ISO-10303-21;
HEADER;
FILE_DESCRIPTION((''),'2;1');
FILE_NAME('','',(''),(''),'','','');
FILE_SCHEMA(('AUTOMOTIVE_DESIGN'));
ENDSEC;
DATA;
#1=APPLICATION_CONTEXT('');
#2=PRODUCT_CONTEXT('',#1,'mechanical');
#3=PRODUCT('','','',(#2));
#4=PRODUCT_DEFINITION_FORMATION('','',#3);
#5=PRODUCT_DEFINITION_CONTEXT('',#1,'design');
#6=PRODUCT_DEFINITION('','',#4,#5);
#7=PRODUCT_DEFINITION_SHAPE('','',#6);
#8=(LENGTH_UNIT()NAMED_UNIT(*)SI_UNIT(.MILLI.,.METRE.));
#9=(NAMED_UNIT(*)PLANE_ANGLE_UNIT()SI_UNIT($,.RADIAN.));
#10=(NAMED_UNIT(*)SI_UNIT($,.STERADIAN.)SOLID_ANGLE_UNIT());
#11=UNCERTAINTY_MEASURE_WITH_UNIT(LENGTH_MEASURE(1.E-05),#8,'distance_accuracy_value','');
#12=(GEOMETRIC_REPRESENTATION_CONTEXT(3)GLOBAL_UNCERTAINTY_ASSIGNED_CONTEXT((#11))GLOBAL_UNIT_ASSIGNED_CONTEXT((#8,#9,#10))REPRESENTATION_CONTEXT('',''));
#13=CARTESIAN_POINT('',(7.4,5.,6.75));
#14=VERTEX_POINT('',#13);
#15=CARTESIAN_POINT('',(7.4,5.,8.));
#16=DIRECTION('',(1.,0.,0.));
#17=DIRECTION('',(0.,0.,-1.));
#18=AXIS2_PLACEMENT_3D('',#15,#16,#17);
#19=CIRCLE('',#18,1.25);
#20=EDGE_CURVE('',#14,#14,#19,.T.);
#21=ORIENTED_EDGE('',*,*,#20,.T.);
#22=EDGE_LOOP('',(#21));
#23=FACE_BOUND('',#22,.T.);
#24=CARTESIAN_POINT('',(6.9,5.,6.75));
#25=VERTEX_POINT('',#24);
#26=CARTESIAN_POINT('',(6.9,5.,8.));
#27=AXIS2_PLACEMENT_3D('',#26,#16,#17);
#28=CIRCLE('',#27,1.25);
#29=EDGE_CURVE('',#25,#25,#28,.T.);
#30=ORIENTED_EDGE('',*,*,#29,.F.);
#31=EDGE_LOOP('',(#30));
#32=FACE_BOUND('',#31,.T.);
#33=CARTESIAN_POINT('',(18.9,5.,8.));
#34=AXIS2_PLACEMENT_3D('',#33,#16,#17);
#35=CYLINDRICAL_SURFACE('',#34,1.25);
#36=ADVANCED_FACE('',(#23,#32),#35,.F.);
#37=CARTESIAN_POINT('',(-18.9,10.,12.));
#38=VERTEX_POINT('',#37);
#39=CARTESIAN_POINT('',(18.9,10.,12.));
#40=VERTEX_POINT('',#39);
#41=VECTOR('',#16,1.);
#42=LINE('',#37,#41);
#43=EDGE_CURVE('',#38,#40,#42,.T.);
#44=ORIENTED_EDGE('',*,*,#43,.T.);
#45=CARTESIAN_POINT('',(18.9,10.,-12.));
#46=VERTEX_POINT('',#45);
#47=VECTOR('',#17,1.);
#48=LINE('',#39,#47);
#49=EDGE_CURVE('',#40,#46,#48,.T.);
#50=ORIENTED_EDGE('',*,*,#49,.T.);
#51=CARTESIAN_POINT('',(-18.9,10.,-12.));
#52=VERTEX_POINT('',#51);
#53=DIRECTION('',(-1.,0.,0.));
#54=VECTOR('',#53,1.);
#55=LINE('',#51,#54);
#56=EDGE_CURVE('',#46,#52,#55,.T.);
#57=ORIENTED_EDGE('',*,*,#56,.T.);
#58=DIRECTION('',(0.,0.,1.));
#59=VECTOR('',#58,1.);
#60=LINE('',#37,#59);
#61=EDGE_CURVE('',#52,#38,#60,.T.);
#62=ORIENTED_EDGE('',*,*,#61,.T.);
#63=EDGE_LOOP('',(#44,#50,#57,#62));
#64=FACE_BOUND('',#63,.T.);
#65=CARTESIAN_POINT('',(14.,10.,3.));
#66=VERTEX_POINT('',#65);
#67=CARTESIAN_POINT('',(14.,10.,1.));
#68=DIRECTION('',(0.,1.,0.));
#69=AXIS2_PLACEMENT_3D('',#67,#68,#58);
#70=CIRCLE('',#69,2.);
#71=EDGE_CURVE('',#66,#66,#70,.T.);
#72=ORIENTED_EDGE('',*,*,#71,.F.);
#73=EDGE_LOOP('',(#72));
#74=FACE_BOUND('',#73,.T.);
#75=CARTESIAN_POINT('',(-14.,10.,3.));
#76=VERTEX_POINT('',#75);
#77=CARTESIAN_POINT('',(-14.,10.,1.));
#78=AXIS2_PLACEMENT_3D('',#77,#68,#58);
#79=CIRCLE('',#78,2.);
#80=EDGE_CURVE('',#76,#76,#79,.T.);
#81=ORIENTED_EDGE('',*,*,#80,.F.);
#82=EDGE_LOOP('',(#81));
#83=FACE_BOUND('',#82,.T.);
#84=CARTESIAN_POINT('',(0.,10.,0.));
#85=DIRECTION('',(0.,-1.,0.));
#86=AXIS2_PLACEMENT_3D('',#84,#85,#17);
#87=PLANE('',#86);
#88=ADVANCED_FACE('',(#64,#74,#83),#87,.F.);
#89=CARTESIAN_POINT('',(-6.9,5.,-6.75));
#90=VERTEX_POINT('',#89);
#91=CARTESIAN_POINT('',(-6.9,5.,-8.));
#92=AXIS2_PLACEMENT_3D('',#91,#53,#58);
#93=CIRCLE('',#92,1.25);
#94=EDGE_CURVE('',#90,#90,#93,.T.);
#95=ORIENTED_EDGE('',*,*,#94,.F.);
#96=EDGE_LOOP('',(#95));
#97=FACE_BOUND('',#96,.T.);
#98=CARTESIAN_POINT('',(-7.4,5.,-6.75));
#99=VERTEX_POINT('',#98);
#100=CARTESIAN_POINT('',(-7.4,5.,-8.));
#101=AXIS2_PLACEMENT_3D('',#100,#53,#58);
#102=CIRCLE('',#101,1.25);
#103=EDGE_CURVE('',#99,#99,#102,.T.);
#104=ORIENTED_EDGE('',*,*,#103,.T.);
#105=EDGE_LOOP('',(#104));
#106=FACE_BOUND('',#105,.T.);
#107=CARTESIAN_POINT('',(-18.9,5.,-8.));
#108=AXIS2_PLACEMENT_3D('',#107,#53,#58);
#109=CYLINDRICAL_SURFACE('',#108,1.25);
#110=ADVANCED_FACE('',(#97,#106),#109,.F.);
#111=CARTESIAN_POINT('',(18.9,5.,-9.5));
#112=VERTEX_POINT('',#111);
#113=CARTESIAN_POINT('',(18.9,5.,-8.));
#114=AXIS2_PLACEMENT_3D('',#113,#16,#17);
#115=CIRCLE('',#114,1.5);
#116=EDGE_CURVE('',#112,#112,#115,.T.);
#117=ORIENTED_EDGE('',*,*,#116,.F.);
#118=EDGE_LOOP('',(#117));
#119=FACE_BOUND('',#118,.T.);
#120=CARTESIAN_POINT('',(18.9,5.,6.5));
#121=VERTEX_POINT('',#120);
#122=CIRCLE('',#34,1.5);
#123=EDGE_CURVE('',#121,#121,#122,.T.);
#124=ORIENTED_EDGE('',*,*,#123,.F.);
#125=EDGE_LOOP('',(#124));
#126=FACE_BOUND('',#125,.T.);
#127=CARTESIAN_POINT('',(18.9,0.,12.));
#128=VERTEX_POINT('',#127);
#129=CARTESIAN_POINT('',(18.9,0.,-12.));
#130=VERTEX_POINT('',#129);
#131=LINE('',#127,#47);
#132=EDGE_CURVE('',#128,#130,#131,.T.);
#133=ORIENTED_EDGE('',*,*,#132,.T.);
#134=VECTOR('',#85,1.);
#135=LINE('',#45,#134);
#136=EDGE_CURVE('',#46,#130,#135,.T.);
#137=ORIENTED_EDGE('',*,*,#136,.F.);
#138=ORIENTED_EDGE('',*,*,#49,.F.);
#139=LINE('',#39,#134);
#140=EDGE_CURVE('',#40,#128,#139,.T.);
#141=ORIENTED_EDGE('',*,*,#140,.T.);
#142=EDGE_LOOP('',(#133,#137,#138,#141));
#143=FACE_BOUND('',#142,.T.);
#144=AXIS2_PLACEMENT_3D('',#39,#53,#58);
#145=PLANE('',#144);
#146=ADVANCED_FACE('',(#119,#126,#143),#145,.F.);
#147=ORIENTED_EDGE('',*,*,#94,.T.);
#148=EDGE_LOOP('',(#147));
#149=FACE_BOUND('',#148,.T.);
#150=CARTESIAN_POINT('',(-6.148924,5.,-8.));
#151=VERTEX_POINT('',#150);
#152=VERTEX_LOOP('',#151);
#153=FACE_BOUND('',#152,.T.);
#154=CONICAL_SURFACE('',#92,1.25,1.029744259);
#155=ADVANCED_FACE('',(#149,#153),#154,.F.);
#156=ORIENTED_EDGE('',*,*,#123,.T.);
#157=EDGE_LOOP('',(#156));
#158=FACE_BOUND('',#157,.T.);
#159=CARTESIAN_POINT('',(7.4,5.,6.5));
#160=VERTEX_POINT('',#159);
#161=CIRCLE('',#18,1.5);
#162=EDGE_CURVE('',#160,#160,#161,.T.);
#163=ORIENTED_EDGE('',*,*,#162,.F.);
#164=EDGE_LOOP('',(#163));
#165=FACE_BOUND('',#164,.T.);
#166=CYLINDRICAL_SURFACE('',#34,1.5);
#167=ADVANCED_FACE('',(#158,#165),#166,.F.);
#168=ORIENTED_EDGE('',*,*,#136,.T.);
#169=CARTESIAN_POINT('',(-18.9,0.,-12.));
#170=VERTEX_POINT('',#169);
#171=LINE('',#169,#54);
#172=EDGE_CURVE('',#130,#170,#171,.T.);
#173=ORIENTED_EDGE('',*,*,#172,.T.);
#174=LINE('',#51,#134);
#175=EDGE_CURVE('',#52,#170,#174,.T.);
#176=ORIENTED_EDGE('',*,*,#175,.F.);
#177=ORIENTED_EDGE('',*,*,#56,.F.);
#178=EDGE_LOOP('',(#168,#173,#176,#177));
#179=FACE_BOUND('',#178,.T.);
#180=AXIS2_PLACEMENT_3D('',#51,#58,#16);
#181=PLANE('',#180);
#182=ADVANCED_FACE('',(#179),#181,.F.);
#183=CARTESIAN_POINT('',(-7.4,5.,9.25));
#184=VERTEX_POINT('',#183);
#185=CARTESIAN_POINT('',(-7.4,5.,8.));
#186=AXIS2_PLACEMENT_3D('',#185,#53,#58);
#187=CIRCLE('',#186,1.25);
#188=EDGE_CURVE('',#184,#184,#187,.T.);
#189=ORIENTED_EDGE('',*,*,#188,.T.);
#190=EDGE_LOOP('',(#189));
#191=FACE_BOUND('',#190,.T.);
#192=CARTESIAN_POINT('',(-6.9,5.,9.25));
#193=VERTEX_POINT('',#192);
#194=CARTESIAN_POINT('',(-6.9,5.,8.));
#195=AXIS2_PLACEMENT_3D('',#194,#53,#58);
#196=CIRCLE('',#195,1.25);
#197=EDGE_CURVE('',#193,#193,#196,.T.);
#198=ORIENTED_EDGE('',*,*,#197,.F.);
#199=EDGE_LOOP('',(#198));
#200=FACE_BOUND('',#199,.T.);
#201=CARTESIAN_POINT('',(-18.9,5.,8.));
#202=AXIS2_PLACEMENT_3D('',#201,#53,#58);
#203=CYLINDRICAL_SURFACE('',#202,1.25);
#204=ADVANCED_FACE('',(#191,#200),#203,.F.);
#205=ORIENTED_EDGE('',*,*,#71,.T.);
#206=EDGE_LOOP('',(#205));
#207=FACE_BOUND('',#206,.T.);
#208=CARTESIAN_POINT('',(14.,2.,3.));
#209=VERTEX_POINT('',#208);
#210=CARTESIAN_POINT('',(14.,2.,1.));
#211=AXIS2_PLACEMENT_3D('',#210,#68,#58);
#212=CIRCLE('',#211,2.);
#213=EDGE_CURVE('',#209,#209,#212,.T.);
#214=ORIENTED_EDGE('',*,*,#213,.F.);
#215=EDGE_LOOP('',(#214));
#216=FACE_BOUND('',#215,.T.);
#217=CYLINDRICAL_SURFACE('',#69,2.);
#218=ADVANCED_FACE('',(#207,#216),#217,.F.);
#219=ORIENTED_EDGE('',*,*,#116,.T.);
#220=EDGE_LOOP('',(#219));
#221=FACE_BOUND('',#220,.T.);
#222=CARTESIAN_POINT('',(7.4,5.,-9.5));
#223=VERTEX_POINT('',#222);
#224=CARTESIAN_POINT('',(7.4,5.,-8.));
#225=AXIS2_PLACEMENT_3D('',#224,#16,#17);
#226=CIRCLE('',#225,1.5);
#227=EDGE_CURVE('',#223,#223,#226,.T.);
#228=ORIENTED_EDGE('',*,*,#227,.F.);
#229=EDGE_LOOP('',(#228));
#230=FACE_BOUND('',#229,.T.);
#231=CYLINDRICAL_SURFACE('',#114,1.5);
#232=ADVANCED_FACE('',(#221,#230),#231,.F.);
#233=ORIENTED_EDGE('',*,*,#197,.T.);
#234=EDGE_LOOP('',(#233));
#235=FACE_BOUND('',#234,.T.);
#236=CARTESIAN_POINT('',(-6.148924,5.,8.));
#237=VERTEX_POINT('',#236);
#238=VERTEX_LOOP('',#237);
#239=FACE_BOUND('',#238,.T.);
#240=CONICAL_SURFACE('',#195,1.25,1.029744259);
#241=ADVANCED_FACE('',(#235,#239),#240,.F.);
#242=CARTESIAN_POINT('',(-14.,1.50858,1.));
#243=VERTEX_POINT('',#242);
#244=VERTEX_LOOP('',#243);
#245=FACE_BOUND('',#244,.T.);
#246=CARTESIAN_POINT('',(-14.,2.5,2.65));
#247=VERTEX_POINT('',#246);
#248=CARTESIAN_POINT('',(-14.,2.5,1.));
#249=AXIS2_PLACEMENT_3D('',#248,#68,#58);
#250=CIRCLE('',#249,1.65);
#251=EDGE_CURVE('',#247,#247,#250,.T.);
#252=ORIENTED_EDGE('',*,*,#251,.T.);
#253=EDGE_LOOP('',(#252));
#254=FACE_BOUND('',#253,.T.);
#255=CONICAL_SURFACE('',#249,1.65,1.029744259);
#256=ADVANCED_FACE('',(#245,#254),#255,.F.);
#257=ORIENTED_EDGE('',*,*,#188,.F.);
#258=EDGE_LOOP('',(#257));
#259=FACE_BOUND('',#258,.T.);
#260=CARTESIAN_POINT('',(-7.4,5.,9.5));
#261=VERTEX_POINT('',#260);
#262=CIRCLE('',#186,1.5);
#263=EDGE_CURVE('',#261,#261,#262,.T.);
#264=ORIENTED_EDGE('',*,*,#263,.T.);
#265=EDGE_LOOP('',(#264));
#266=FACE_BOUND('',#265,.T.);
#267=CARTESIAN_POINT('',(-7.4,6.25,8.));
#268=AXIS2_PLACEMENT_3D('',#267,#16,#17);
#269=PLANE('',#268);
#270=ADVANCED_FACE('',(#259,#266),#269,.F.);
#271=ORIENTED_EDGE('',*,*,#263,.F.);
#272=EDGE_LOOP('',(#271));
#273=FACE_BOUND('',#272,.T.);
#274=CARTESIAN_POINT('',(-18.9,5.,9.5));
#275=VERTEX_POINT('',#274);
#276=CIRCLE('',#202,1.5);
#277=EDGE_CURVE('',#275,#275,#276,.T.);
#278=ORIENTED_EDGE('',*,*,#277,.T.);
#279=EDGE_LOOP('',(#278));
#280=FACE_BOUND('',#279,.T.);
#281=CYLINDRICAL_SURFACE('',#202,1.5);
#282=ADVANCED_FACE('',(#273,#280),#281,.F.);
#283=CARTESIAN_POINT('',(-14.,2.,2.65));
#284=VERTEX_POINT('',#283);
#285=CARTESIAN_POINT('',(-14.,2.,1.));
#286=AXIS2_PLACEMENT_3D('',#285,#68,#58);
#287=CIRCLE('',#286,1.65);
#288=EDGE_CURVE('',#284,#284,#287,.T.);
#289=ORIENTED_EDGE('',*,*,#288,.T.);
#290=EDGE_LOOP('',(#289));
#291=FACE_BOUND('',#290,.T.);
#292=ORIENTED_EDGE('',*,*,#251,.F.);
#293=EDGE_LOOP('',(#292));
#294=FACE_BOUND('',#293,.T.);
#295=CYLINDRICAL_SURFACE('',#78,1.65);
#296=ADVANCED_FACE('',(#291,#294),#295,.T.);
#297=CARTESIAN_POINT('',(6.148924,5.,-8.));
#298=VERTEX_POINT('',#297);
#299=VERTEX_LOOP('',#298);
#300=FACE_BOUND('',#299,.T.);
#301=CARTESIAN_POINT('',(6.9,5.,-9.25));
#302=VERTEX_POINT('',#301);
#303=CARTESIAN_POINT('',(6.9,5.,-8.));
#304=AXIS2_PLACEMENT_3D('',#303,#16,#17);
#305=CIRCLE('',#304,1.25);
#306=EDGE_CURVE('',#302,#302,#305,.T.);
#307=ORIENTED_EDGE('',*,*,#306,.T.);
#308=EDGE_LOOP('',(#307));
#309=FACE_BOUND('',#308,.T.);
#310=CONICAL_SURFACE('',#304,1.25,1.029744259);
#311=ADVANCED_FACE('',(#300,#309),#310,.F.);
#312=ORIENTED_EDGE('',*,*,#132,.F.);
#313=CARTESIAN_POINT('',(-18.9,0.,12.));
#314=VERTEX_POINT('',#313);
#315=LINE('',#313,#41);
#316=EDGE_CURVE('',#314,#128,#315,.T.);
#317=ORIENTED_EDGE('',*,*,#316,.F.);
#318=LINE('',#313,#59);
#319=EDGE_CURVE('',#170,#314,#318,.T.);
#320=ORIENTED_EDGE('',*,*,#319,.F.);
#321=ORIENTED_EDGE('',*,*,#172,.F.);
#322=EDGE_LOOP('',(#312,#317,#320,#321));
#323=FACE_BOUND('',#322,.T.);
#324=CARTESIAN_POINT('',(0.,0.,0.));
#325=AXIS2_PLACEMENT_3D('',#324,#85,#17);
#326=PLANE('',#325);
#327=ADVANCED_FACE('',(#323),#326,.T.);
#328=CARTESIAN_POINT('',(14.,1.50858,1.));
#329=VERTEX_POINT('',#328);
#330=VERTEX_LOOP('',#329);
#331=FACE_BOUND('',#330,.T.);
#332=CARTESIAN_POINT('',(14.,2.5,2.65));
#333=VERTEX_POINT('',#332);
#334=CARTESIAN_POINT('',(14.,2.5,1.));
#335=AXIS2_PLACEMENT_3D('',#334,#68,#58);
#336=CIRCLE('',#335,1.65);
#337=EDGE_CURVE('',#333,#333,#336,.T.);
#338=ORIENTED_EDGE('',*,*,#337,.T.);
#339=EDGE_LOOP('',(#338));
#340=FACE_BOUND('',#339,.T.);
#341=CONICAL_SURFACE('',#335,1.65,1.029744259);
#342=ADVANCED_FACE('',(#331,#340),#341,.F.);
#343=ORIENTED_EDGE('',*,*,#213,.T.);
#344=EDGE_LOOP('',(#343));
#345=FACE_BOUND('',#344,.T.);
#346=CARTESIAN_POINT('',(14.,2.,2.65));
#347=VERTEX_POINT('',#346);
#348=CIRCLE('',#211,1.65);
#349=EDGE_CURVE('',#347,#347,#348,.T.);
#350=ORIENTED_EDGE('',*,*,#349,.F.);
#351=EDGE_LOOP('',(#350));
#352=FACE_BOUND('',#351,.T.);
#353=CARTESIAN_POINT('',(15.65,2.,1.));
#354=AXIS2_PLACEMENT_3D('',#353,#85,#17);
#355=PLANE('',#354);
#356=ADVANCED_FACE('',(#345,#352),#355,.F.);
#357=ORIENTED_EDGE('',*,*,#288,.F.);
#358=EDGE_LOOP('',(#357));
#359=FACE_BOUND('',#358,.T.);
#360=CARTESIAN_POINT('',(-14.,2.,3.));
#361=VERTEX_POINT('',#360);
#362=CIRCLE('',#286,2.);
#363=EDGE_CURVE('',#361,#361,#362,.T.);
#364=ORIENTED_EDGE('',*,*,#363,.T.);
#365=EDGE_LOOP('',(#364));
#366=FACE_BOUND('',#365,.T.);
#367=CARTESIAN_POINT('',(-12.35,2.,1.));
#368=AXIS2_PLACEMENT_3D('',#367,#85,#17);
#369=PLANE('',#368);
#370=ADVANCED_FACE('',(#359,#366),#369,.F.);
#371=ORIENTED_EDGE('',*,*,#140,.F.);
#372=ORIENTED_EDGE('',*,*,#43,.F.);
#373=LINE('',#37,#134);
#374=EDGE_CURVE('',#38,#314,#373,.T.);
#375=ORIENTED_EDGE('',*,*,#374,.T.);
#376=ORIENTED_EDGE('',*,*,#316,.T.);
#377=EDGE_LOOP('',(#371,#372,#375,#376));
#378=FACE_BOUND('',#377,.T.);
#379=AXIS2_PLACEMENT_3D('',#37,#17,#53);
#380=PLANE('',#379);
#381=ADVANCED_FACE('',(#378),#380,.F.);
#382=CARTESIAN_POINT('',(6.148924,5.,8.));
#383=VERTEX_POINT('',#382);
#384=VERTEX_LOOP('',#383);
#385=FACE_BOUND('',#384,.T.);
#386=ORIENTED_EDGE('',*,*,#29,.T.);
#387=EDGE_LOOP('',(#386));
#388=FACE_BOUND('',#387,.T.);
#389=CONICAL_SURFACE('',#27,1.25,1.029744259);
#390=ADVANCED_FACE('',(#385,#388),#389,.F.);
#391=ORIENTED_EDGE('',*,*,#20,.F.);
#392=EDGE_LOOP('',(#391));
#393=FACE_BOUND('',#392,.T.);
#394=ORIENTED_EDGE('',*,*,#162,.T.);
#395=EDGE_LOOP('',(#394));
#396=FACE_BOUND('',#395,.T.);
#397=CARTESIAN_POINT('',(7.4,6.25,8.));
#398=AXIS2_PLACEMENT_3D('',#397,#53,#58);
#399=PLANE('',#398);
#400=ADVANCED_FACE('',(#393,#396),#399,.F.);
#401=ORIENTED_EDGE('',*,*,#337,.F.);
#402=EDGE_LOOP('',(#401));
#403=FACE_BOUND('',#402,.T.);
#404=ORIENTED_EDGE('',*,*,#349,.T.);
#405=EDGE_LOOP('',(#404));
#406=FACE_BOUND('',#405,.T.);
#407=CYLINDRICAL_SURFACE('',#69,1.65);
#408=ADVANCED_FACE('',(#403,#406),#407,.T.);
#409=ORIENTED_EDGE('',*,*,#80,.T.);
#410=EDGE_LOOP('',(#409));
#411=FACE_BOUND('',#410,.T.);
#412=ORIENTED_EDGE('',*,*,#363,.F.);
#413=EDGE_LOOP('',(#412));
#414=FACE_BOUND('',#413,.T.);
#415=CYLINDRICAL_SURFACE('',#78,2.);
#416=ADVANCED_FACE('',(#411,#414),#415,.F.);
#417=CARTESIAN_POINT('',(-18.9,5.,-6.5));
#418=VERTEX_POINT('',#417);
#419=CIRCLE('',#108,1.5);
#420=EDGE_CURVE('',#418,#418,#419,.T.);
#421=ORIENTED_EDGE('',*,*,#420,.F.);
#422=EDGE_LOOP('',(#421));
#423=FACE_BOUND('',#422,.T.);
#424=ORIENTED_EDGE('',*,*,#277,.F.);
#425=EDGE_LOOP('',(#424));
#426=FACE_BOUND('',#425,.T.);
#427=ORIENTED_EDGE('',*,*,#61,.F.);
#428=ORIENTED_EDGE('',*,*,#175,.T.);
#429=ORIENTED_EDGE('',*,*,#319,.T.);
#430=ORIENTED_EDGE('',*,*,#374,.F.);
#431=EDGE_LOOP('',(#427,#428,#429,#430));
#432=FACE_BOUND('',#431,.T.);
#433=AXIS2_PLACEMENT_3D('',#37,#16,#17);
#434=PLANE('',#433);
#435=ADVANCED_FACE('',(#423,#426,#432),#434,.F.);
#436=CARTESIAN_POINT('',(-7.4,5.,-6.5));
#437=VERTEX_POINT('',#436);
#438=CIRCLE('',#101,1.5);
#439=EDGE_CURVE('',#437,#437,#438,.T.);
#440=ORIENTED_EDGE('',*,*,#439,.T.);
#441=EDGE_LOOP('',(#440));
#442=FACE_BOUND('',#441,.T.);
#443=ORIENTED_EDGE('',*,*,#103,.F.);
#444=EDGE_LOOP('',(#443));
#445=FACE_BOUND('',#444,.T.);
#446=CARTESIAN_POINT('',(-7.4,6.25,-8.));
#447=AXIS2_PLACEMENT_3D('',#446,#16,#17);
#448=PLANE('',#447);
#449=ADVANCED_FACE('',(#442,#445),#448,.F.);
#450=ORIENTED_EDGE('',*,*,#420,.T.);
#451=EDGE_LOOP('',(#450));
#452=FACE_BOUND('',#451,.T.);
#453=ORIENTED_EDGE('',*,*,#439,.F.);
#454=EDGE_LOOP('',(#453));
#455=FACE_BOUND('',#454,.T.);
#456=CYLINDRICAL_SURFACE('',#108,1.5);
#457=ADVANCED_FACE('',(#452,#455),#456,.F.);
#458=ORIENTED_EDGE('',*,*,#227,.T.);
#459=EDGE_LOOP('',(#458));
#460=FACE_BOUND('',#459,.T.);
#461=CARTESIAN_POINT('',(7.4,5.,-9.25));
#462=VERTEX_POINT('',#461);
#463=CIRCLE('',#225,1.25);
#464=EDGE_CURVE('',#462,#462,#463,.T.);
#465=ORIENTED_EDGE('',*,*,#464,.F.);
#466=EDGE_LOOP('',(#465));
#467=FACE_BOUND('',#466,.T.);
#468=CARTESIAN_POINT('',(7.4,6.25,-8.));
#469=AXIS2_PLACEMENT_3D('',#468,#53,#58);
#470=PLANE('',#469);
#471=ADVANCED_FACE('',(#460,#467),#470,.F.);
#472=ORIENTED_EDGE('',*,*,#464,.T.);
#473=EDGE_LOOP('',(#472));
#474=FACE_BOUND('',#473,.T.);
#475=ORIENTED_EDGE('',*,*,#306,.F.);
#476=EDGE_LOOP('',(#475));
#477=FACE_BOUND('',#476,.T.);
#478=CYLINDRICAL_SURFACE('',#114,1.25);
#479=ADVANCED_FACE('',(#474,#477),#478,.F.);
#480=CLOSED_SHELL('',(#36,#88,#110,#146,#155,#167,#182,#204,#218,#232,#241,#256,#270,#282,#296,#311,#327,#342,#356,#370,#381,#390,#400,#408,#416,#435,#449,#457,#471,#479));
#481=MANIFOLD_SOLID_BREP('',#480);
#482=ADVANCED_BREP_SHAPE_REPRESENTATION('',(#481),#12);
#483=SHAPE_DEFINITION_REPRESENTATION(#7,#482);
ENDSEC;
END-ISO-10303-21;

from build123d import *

# Parameters (mm, degrees)
SKETCH_1_W                  = 37.8
SKETCH_1_H                  = 24
EXTRUDE_1_DEPTH             = 10
HOLE_WIZARD_M4_1_AT_2_COUNT = 2
HOLE_WIZARD_M4_1_AT_2_PITCH = 28
HOLE_WIZARD_M3_1_AT_2_COUNT = 2
HOLE_WIZARD_M3_1_AT_2_PITCH = 16


with BuildPart() as part:
    # 草图1 → 凸台-拉伸1 (new body)
    with BuildSketch(Plane(origin=(0, 0, 0), x_dir=(1, 0, 0), z_dir=(0, 1, 0))):
        Rectangle(SKETCH_1_W, SKETCH_1_H)
    extrude(amount=EXTRUDE_1_DEPTH)

    # 草图5 → M4 螺纹孔1 (revolve, cut)
    with BuildSketch(Plane(origin=(-14, 10, 1), x_dir=(0, 0, 1), z_dir=(1, 0, 0))):
        Polygon((0, 0), (0, 8.491420021), (1.65, 7.5), (1.65, 8), (2, 8), (2, 0), align=None)
    hole_wizard_m4_1 = revolve(axis=Axis((-14, 16.35, 1), (0, -1, 0)), mode=Mode.SUBTRACT)

    # M4 螺纹孔1 at 2: M4 螺纹孔1 ×2
    with Locations(*[(i * HOLE_WIZARD_M4_1_AT_2_PITCH, 0, 0) for i in range(1, HOLE_WIZARD_M4_1_AT_2_COUNT)]):
        add(hole_wizard_m4_1, mode=Mode.SUBTRACT)

    # 草图6 → M3 螺纹孔1 (revolve, cut)
    with BuildSketch(Plane(origin=(18.9, 5, 8), x_dir=(0, 0, -1), z_dir=(0, 1, 0))):
        Polygon((0, 0), (0, 12.751075774), (1.25, 12), (1.25, 11.5), (1.5, 11.5), (1.5, 0), align=None)
    hole_wizard_m3_1 = revolve(axis=Axis((25.25, 5, 8), (-1, 0, 0)), mode=Mode.SUBTRACT)

    # M3 螺纹孔1 at 2: M3 螺纹孔1 ×2
    with Locations(*[(0, 0, -i * HOLE_WIZARD_M3_1_AT_2_PITCH) for i in range(1, HOLE_WIZARD_M3_1_AT_2_COUNT)]):
        add(hole_wizard_m3_1, mode=Mode.SUBTRACT)

    # 镜向1: M3 螺纹孔1 across plane
    add(hole_wizard_m3_1.mirror(Plane(origin=(0, 0, 0), x_dir=(0, 0, 1), z_dir=(1, 0, 0))), mode=Mode.SUBTRACT)

    # 镜向1 copy 1 sketch → 镜向1 copy 1 (revolve, cut)
    with BuildSketch(Plane(origin=(-18.9, 5, -8), x_dir=(0, 0, -1), z_dir=(0, 1, 0))):
        Polygon((0, 0), (0, -12.751075774), (1.25, -12), (1.25, -11.5), (1.5, -11.5), (1.5, 0), align=None)
    revolve(axis=Axis((-25.25, 5, -8), (-1, 0, 0)), mode=Mode.SUBTRACT)


solid = part.part
